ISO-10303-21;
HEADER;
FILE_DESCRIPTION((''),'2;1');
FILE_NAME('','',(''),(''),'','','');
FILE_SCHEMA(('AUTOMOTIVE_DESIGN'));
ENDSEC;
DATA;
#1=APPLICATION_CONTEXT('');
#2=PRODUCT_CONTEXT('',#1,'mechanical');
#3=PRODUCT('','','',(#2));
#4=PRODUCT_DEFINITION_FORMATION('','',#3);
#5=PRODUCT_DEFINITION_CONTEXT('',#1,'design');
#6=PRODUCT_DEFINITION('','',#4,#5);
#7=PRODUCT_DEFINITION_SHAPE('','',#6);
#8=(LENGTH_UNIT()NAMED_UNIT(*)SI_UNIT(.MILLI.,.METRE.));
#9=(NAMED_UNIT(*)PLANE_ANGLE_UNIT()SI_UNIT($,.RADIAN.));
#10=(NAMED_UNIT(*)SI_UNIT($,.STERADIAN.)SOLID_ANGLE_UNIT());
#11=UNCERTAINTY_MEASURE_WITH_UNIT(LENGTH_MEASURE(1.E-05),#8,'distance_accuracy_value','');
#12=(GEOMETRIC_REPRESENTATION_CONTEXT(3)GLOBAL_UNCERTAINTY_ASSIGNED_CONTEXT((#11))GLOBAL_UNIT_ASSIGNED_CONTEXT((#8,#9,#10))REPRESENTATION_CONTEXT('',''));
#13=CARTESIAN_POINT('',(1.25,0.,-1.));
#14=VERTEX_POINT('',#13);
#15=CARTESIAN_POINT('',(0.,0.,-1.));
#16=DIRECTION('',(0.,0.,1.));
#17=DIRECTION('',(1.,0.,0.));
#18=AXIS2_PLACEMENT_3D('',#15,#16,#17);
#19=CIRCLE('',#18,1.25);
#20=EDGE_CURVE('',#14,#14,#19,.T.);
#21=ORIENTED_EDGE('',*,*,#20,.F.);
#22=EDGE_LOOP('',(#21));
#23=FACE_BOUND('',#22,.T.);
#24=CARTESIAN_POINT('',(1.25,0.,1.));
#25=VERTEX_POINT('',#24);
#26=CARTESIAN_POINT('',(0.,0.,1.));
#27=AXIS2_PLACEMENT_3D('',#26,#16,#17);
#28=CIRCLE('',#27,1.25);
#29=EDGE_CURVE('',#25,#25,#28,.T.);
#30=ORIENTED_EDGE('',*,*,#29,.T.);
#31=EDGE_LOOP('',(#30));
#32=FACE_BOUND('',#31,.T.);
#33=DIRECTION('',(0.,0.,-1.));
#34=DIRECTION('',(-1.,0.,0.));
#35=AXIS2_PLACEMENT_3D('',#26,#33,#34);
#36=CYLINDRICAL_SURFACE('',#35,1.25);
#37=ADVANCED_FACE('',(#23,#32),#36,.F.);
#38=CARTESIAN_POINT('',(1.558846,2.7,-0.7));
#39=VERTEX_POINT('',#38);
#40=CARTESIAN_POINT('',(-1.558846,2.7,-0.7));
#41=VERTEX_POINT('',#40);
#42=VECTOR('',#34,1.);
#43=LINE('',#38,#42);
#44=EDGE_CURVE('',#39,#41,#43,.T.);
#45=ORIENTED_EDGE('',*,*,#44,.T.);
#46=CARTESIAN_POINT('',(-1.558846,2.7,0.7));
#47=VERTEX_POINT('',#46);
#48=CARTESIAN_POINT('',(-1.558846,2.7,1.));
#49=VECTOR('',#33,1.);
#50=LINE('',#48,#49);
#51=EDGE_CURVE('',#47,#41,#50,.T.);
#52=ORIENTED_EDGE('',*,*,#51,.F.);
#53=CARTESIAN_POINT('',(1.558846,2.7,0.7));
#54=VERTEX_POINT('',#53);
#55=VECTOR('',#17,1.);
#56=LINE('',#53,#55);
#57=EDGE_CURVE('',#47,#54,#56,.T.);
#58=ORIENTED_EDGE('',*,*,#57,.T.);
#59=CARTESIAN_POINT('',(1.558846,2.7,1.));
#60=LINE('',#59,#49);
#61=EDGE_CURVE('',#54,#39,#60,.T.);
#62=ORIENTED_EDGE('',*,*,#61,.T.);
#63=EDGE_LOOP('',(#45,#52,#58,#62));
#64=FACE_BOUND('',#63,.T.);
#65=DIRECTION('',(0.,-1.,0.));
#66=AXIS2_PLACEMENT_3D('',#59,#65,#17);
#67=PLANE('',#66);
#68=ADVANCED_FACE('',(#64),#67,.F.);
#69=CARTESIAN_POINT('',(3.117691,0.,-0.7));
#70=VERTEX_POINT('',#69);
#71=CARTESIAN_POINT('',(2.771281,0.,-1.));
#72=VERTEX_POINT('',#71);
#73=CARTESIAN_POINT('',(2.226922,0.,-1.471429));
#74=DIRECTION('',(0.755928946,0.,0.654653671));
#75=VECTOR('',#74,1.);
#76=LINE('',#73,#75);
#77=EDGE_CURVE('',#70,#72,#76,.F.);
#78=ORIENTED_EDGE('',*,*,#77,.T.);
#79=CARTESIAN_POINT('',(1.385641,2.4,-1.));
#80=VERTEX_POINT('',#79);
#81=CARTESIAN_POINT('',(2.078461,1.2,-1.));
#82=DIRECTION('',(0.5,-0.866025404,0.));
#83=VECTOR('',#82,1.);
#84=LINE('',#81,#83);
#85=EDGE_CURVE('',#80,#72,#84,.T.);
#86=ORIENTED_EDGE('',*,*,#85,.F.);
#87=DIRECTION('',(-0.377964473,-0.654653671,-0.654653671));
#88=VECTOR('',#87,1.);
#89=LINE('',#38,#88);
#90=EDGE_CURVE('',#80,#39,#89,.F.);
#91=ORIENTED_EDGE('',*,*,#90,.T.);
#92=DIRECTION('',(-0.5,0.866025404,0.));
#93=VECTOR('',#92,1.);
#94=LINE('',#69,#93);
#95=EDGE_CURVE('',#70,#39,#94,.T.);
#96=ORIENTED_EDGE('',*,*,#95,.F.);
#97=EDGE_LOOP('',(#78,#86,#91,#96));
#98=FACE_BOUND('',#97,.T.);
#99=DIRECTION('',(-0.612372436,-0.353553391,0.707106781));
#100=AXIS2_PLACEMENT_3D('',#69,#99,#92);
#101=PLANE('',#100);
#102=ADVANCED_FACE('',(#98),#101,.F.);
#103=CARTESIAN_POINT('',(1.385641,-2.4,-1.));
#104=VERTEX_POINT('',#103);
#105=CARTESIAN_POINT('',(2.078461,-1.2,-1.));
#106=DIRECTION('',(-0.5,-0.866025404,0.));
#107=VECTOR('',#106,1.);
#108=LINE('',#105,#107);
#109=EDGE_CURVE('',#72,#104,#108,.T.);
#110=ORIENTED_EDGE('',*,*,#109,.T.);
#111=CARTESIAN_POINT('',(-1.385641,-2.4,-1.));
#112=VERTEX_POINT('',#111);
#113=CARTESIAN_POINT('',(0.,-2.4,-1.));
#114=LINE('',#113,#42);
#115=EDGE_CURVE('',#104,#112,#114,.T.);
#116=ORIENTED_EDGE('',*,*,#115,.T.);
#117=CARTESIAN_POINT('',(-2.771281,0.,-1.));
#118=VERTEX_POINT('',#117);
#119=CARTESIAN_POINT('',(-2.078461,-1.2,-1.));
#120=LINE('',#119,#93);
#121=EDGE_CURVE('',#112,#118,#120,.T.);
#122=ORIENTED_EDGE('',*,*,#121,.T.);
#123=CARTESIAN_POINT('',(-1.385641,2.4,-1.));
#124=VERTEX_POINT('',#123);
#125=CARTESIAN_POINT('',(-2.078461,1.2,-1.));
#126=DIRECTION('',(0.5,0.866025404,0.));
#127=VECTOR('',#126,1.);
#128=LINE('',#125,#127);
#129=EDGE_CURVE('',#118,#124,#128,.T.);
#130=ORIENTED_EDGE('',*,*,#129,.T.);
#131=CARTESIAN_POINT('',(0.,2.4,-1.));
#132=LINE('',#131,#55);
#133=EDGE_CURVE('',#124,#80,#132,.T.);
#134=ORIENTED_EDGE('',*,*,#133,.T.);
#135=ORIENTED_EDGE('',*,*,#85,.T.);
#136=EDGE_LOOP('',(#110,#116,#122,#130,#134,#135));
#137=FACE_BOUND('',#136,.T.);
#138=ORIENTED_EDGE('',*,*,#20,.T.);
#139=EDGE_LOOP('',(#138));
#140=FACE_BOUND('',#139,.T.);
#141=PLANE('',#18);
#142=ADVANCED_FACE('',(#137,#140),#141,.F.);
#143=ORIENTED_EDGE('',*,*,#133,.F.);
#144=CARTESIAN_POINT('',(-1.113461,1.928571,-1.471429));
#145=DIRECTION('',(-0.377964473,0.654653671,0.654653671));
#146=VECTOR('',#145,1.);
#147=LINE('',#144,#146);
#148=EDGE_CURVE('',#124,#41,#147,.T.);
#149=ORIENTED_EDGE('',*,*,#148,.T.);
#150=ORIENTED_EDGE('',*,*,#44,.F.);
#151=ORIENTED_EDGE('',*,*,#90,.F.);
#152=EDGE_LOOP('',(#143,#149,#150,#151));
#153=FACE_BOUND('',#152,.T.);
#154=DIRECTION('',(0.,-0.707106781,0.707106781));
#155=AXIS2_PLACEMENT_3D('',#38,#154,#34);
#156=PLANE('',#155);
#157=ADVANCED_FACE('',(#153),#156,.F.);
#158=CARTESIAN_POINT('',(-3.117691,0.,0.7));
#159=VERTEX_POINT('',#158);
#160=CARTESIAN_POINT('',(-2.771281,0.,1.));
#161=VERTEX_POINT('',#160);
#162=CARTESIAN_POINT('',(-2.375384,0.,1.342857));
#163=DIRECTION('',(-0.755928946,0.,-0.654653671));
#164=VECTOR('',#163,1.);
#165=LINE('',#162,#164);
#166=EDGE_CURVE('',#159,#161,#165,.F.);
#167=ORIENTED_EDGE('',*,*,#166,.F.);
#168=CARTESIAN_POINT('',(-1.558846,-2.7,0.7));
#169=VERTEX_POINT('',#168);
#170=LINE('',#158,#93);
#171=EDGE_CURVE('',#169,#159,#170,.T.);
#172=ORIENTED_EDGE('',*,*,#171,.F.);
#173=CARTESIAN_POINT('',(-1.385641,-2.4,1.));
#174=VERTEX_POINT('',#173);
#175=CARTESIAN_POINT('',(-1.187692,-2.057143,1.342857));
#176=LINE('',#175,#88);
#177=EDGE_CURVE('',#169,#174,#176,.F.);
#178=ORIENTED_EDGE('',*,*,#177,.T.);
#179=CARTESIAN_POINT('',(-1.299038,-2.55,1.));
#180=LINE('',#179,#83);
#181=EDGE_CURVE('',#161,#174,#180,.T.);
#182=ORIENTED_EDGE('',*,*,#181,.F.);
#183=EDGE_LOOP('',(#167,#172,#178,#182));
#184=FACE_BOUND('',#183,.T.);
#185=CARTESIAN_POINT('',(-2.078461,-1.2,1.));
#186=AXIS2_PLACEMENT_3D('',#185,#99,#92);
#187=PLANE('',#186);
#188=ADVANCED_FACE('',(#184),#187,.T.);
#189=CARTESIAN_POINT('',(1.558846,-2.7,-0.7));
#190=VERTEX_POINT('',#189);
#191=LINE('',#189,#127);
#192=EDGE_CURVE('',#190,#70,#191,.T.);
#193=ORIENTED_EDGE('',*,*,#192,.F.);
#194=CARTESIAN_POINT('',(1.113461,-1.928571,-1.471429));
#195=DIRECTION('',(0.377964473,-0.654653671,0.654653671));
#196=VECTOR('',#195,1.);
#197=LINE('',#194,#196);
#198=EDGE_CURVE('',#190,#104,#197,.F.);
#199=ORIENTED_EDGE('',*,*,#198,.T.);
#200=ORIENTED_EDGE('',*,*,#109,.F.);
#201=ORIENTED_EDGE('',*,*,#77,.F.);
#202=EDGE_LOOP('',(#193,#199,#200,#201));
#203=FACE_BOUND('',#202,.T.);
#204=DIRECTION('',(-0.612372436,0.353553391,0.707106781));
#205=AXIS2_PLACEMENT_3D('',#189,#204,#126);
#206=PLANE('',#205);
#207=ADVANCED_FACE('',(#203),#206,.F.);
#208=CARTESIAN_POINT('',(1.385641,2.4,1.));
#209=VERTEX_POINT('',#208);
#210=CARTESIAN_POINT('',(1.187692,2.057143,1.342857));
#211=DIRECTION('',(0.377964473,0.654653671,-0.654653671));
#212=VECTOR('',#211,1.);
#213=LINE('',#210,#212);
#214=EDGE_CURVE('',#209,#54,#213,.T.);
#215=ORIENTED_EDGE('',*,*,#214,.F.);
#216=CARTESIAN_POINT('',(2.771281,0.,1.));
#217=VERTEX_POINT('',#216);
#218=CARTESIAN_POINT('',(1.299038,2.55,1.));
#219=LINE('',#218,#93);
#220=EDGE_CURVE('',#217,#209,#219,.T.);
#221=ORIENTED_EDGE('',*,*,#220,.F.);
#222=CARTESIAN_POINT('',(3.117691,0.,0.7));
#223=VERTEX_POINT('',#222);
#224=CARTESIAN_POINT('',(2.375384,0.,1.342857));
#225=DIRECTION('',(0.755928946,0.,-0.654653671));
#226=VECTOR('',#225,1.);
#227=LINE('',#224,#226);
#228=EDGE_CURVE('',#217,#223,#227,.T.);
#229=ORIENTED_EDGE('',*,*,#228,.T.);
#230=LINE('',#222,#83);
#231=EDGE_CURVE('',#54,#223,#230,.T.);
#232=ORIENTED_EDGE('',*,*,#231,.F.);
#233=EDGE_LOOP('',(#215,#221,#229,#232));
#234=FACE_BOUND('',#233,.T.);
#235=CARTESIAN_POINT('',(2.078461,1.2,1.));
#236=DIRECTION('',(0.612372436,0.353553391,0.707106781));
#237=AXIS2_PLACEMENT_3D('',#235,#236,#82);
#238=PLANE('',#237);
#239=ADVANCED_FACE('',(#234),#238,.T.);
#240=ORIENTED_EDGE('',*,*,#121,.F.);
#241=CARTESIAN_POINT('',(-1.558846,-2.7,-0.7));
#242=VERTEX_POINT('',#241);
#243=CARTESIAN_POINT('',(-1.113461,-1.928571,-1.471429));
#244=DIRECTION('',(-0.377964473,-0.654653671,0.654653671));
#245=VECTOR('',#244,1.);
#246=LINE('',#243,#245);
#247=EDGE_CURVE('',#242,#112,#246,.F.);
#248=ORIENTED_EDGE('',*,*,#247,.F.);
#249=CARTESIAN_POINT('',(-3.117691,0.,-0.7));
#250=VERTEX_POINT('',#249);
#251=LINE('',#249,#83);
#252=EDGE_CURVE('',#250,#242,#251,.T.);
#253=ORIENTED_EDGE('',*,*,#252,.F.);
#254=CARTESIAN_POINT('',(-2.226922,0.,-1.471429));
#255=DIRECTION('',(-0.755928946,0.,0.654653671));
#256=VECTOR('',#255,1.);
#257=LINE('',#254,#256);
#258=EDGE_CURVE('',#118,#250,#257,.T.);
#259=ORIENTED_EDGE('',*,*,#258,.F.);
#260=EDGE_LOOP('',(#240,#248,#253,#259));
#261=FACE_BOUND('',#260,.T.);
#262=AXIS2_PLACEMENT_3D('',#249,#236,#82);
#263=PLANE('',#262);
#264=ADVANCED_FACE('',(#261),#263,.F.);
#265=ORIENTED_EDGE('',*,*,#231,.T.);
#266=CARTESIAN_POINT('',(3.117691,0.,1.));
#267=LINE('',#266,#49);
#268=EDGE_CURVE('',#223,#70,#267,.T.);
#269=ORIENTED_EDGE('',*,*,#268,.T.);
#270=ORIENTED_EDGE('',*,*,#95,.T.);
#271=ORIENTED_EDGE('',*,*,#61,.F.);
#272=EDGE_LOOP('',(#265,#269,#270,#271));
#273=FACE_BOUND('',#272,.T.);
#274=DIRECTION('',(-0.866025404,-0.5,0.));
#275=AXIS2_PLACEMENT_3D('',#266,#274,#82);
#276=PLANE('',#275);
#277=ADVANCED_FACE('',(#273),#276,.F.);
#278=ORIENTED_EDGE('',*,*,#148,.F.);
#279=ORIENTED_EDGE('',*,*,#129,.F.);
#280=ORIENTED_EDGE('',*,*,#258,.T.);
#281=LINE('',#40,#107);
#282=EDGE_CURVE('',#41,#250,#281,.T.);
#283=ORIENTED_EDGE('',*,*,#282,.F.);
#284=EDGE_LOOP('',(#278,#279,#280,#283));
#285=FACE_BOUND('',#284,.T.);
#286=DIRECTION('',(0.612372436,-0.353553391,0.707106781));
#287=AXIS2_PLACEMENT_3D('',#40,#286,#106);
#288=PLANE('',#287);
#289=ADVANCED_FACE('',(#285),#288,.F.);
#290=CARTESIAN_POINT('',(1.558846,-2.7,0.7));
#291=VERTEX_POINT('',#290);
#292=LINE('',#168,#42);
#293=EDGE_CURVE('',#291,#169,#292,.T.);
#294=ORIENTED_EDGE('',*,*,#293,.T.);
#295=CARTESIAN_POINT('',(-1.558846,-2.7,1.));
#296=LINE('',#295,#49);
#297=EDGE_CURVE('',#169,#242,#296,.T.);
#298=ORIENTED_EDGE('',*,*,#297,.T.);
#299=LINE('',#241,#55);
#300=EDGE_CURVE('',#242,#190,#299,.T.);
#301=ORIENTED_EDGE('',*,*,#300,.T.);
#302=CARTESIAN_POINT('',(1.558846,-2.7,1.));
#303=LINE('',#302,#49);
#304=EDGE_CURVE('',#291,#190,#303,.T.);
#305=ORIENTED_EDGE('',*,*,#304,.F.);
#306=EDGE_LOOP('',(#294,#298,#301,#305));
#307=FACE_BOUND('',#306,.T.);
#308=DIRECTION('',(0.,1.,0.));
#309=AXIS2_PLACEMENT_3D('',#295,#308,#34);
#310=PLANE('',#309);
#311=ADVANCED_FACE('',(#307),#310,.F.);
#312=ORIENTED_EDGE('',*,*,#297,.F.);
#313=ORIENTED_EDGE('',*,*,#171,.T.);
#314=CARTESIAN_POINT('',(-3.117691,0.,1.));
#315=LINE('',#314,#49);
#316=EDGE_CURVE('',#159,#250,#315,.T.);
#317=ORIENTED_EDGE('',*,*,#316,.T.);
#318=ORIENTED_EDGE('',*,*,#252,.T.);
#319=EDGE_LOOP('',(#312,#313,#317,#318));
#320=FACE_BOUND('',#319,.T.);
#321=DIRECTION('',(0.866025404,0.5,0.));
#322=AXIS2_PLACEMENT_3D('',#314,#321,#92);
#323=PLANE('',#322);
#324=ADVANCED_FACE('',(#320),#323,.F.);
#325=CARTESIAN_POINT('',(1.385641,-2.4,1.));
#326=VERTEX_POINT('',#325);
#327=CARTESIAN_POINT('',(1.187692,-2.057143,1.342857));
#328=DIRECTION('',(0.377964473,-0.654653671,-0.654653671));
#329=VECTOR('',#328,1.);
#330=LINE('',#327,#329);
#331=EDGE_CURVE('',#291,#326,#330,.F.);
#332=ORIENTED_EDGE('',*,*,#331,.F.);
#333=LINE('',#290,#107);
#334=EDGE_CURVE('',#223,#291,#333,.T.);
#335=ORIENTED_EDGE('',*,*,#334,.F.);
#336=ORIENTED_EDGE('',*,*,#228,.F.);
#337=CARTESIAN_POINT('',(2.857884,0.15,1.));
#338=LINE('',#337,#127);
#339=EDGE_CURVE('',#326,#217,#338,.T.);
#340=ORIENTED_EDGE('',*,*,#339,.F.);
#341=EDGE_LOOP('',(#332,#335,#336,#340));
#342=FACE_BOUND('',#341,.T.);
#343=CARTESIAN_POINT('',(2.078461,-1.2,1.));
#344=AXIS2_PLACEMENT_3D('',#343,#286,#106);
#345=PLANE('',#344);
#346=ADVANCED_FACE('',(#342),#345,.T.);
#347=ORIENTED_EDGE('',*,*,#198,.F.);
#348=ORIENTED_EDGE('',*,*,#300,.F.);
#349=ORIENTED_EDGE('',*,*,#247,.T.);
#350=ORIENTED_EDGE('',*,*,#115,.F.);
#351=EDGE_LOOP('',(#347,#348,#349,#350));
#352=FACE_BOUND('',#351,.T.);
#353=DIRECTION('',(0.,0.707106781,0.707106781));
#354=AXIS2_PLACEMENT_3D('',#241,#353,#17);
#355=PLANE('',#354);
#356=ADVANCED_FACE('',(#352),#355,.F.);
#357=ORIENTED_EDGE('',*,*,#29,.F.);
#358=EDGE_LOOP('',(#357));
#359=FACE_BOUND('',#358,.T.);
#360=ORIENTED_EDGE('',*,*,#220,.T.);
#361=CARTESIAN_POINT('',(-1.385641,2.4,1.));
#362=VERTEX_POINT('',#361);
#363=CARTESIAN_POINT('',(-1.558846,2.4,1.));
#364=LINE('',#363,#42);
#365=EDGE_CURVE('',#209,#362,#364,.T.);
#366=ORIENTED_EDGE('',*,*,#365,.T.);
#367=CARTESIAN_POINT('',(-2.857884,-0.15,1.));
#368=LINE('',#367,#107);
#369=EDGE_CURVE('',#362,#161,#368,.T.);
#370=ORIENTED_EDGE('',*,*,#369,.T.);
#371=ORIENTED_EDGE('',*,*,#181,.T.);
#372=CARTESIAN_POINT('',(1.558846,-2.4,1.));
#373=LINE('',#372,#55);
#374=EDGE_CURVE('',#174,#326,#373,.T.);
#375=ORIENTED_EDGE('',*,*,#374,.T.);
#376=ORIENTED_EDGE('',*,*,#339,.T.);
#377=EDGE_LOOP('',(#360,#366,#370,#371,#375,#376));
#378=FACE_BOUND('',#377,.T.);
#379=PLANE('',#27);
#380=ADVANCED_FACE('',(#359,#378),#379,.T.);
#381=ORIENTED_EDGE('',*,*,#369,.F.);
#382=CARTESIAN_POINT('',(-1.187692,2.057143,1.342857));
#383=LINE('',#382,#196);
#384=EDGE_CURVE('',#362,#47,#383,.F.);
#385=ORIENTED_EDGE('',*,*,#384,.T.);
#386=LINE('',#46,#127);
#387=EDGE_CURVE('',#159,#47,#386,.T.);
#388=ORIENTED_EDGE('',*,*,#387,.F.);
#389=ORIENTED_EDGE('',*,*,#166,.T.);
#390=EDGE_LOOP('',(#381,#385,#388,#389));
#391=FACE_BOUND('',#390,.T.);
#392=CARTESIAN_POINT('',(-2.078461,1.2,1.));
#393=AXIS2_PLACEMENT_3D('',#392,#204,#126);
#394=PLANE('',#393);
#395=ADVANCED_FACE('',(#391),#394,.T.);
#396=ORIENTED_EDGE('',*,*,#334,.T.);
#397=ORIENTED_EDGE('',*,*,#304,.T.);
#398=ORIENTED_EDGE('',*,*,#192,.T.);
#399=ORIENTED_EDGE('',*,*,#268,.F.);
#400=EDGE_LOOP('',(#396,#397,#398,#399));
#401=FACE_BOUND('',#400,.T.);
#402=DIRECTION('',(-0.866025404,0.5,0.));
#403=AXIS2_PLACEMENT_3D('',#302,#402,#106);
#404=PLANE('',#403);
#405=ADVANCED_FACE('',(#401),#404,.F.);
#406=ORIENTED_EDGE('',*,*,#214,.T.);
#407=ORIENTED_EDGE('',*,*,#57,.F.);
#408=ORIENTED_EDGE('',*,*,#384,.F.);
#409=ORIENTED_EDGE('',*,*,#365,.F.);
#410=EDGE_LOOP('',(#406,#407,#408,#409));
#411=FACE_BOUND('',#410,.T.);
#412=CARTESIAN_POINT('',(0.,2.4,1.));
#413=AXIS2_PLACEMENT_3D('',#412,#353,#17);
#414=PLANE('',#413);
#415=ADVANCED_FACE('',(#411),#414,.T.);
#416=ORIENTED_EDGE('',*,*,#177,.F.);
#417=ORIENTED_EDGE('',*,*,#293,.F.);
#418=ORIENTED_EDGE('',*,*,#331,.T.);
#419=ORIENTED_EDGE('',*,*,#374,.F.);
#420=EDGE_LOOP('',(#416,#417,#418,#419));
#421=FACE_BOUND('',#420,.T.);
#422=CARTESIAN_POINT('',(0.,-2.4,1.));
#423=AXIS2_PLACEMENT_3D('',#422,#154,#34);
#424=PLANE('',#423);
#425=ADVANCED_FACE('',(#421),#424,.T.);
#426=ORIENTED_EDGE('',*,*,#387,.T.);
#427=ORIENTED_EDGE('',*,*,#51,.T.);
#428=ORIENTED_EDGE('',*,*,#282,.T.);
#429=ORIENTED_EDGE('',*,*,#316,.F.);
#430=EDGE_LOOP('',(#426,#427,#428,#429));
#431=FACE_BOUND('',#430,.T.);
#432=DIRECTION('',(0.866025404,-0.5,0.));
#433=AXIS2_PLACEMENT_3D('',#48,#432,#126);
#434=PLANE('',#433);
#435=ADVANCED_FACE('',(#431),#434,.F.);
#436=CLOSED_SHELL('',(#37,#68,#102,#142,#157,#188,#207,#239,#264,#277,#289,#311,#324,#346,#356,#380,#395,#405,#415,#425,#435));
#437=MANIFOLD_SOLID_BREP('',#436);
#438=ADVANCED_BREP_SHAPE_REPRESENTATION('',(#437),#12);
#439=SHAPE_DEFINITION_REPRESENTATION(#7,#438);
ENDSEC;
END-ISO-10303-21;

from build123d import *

# Parameters (mm, degrees)
SKETCH1_R           = 1.25
BOSS_EXTRUDE1_DEPTH = 1
CHAMFER1_SIZE       = 0.3


with BuildPart() as part:
    # Sketch1 → Boss-Extrude1 (new, symmetric)
    with BuildSketch(Plane.XY):
        Polygon((3.117691454, 0), (1.558845727, 2.7), (-1.558845727, 2.7), (-3.117691454, 0), (-1.558845727, -2.7), (1.558845727, -2.7), align=None)
        Circle(SKETCH1_R, mode=Mode.SUBTRACT)
    extrude(amount=BOSS_EXTRUDE1_DEPTH, both=True)

    # Chamfer1
    chamfer1_edges = [part.edges().sort_by_distance(p)[0] for p in [
        (0, 2.7, 1),
        (-2.33826859, 1.35, 1),
        (-2.33826859, -1.35, 1),
        (0, -2.7, 1),
        (2.33826859, -1.35, 1),
        (0, -2.7, -1),
        (-2.33826859, -1.35, -1),
        (-2.33826859, 1.35, -1),
        (0, 2.7, -1),
        (2.33826859, 1.35, -1),
        (2.33826859, -1.35, -1),
        (2.33826859, 1.35, 1),
    ]]
    chamfer(chamfer1_edges, length=CHAMFER1_SIZE)


solid = part.part
